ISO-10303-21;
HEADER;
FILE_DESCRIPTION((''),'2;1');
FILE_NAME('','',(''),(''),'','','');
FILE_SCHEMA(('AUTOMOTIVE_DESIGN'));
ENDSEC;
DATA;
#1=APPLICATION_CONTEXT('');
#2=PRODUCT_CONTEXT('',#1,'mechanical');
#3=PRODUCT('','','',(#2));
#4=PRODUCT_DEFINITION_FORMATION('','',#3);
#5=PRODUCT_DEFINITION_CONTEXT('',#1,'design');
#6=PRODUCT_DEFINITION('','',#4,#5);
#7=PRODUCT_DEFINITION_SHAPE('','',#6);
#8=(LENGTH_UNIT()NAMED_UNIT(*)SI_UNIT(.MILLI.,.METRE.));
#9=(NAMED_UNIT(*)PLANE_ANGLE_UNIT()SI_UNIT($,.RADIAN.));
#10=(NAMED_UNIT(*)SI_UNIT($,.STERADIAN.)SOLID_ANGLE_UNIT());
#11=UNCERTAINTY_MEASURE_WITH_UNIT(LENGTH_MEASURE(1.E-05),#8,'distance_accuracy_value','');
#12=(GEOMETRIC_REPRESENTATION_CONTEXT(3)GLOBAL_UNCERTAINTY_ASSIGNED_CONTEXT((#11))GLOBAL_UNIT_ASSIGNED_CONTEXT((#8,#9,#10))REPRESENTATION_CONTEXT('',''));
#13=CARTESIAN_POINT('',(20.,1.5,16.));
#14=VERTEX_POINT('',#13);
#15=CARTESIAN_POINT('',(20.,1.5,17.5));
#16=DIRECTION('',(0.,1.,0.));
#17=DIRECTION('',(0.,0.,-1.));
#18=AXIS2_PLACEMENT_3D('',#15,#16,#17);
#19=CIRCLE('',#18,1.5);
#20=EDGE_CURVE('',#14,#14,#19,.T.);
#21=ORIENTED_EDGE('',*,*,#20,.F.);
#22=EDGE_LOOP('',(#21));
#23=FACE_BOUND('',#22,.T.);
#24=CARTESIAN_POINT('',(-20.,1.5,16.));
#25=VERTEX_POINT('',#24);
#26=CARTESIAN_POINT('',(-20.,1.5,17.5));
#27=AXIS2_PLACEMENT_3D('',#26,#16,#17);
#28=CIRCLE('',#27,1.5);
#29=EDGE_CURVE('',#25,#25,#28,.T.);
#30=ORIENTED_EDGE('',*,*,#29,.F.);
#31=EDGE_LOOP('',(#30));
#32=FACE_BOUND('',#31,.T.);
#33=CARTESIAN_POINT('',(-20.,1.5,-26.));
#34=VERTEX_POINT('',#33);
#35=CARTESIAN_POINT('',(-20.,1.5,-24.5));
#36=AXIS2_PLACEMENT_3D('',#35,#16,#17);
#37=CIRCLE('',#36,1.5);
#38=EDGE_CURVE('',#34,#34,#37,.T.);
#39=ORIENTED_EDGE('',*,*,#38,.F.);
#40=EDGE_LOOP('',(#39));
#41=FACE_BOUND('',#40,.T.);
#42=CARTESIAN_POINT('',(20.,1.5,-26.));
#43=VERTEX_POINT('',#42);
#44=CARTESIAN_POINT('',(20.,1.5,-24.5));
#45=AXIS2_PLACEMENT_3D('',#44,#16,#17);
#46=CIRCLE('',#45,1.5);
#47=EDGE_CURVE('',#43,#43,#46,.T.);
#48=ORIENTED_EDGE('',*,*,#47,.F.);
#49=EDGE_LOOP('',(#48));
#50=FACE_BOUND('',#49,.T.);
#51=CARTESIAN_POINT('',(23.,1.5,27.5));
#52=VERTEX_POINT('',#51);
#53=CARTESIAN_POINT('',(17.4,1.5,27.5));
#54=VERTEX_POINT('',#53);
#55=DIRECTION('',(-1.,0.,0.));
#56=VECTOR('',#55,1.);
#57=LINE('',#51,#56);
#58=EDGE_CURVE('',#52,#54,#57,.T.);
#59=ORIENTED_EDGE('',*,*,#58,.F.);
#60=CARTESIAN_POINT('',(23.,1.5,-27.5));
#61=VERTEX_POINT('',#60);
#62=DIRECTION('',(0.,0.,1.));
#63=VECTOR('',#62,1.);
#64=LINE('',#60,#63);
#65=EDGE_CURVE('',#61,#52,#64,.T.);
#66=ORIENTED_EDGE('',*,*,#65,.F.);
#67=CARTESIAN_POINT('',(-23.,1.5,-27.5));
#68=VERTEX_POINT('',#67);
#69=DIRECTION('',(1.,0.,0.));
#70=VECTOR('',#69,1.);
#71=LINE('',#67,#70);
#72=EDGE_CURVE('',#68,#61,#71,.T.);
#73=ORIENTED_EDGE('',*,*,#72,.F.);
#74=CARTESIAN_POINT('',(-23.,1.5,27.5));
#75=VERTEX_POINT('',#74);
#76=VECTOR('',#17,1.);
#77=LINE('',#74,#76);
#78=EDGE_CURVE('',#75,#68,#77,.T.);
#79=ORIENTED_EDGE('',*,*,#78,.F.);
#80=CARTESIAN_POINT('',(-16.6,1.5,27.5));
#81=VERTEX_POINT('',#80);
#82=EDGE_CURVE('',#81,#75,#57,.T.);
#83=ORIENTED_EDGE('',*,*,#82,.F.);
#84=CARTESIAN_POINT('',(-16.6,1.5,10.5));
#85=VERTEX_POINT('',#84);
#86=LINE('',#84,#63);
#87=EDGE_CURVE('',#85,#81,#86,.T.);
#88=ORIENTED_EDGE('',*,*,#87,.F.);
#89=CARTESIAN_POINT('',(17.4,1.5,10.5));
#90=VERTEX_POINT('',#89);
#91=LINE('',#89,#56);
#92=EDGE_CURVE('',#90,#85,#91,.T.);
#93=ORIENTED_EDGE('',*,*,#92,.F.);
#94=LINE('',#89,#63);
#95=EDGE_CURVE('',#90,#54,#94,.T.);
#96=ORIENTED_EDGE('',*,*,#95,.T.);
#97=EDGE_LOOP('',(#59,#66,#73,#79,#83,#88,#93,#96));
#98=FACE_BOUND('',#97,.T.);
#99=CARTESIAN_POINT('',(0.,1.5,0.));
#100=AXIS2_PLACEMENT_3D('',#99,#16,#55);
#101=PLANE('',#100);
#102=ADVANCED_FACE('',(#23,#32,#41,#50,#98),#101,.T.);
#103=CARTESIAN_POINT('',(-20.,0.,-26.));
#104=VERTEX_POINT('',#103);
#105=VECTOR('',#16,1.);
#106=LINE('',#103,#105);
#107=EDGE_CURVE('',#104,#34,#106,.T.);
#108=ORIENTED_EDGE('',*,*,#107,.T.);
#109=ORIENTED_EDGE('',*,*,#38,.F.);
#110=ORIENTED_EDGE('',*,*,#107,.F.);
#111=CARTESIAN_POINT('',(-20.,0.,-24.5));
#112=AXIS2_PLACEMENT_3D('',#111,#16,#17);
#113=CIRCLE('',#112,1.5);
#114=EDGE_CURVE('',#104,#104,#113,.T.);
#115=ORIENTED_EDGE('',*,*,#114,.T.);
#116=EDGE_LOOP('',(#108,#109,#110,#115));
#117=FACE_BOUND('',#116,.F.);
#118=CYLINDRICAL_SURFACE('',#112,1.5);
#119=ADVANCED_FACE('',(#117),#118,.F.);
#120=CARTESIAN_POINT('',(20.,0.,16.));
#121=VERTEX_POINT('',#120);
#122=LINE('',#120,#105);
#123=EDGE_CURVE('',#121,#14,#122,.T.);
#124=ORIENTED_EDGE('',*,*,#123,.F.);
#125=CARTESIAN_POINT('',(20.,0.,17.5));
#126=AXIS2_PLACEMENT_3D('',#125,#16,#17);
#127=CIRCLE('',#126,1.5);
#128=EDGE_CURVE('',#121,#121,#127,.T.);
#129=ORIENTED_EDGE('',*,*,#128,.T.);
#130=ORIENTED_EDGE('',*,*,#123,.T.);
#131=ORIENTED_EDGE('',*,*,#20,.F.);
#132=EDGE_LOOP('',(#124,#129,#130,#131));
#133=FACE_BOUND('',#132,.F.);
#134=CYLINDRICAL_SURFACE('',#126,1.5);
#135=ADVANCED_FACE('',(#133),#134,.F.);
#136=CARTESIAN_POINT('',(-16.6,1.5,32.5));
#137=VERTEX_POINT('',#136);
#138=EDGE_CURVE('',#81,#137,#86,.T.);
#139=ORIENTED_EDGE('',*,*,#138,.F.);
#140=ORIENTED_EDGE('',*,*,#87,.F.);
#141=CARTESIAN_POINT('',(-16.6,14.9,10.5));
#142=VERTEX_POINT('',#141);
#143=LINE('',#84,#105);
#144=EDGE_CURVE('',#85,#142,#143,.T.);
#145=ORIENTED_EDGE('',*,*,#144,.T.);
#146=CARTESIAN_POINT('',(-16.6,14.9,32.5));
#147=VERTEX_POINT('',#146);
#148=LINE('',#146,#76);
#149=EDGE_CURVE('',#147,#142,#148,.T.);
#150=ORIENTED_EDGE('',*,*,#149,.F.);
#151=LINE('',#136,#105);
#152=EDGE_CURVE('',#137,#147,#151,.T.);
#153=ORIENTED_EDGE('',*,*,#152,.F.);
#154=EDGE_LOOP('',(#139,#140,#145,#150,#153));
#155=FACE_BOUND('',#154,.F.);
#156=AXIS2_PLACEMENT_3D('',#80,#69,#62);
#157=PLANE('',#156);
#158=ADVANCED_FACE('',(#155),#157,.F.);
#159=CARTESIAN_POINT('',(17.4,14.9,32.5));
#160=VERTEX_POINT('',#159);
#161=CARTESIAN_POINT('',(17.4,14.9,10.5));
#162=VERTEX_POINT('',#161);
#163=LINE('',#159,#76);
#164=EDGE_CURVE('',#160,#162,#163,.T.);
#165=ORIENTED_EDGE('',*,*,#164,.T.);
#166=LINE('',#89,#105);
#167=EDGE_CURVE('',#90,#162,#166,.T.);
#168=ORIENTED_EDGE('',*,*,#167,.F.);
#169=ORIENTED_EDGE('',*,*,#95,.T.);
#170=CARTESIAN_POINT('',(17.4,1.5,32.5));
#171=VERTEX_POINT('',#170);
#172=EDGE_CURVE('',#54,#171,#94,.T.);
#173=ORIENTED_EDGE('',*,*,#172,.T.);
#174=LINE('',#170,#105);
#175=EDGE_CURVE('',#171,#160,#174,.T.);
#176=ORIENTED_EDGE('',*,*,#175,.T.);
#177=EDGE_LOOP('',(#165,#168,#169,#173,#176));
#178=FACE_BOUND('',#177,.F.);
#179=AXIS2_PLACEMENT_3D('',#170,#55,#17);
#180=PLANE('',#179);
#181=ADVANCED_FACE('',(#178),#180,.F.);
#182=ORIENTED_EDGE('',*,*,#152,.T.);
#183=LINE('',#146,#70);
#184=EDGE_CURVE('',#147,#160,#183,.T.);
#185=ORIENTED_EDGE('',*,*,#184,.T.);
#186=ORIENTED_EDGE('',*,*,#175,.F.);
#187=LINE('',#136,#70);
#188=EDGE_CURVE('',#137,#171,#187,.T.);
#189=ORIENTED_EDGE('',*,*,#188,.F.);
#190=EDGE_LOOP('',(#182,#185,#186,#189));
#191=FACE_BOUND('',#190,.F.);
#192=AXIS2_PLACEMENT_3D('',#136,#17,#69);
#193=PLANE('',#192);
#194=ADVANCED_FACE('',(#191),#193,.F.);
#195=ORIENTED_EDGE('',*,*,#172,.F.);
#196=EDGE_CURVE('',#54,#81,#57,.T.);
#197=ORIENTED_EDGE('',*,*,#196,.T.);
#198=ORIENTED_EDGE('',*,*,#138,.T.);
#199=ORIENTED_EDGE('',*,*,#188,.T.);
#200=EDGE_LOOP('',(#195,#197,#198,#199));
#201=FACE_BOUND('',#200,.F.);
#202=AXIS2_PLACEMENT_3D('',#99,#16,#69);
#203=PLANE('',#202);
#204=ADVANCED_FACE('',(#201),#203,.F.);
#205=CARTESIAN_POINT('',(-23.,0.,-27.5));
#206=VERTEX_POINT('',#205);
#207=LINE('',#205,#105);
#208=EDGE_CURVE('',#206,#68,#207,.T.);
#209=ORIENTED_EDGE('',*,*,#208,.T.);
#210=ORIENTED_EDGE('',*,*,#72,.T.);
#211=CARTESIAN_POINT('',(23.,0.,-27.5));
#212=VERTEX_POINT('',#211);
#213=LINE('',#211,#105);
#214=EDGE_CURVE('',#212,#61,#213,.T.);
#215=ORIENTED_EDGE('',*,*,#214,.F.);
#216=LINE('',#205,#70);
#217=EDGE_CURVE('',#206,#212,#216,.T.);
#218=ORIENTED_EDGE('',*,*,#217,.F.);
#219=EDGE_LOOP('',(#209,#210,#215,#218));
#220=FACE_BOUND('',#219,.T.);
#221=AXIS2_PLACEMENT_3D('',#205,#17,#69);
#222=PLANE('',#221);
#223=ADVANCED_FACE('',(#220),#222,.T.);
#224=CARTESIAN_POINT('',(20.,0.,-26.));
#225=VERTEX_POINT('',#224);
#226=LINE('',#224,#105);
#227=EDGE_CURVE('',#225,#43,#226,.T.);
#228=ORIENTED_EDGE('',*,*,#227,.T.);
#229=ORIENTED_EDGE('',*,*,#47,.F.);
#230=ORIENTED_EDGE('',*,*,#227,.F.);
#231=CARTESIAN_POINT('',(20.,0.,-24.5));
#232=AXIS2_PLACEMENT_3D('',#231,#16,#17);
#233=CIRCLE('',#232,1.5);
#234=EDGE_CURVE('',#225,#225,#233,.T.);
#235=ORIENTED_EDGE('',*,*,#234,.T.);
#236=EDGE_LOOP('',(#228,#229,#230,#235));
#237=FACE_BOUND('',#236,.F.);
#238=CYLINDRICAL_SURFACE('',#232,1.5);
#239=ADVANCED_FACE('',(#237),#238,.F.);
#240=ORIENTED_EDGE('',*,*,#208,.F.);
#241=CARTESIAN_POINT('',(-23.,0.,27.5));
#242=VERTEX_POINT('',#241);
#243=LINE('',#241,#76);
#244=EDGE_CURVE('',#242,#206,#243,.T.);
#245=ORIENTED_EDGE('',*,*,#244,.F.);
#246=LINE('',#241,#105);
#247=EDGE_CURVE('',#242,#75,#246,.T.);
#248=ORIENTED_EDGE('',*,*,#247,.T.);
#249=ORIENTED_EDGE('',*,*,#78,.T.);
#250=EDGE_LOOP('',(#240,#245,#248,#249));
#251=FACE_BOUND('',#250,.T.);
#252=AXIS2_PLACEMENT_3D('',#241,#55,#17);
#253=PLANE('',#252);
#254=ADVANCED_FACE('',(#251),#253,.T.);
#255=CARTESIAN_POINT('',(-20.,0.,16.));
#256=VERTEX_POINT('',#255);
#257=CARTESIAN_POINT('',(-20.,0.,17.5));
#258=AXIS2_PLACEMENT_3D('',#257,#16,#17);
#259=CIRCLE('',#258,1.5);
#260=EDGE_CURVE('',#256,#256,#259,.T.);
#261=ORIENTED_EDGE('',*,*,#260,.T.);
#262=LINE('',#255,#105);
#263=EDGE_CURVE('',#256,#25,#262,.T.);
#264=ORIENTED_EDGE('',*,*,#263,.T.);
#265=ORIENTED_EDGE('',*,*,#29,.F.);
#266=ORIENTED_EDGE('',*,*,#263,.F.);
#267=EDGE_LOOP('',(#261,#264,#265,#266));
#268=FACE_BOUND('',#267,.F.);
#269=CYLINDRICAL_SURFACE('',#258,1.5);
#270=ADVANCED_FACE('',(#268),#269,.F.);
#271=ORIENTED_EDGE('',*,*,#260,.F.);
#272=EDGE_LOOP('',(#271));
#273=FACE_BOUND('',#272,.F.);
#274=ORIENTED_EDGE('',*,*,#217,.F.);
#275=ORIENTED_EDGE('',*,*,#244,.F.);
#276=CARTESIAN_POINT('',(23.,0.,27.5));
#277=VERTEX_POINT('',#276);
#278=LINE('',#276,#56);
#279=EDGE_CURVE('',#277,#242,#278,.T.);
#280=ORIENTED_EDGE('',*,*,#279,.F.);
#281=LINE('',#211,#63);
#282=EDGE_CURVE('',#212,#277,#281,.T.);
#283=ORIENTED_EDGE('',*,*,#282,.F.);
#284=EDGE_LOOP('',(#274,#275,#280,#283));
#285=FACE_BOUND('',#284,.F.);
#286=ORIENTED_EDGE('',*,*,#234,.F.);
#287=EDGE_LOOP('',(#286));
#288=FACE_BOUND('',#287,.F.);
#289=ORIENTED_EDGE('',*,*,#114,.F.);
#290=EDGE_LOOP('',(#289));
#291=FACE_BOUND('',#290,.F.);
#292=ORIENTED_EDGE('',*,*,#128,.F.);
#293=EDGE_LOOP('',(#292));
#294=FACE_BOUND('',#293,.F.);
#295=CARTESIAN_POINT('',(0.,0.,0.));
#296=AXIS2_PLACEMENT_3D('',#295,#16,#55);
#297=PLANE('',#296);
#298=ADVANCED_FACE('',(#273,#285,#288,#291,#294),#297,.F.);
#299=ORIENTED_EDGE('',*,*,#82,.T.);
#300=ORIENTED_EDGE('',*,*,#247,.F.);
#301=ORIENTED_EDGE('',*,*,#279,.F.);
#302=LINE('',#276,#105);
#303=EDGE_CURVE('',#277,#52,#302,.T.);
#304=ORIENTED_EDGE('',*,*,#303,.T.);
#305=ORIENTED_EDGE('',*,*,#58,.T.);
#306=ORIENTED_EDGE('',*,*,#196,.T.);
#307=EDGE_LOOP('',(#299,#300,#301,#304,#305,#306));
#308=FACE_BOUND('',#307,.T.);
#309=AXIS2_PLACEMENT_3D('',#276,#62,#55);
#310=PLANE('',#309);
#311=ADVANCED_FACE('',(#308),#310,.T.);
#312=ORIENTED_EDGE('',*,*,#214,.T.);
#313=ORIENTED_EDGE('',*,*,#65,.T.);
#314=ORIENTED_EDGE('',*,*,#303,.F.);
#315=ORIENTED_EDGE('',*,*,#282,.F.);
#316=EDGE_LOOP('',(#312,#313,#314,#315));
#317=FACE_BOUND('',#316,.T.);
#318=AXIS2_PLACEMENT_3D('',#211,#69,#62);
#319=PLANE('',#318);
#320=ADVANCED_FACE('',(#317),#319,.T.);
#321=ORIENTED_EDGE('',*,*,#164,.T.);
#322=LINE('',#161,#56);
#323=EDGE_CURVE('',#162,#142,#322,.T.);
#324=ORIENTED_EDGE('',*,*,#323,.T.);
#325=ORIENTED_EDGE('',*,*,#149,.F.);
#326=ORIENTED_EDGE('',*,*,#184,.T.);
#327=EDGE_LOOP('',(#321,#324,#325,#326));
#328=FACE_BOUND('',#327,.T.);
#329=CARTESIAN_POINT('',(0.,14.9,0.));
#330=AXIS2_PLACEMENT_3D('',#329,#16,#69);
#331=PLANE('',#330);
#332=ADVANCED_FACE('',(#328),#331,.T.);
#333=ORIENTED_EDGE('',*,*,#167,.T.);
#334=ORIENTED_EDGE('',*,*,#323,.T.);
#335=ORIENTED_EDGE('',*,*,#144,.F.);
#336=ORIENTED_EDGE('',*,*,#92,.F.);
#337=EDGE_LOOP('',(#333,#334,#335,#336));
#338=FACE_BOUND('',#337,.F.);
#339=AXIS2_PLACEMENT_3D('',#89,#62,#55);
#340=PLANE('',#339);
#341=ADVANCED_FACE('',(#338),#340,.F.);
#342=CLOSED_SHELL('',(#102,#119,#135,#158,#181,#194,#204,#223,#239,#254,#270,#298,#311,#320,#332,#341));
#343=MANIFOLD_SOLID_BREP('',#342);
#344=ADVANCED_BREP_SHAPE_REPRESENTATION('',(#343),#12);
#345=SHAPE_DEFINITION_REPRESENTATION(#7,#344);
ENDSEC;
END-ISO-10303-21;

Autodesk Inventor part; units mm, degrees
ref_plane "YZ Plane" through (0, 0, 0) normal (1, 0, 0) x (0, 1, 0)
ref_plane "XZ Plane" through (0, 0, 0) normal (0, 1, 0) x (-1, 0, 0)
ref_plane "XY Plane" through (0, 0, 0) normal (0, 0, 1) x (1, 0, 0)
sketch "Sketch1" plane through (0, 0, 0) normal (0, 1, 0) x (-1, 0, 0)
  line L0 (-23, 27.5) -> (23, 27.5)
  line L1 (23, 27.5) -> (23, -27.5)
  line L2 (23, -27.5) -> (-23, -27.5)
  line L3 (-23, -27.5) -> (-23, 27.5)
  line L4 (-23, 27.5) -> (23, -27.5) construction
  line L5 (23, 27.5) -> (-23, -27.5) construction
  point P0 (0, 0)
  dimension "d0" = 46
  dimension "d1" = 55
extrude "Extrusion1" add sketch "Sketch1" along normal blind 1.5
sketch "Sketch2" plane through (0, 1.5, 0) normal (0, 1, 0) x (1, 0, 0)
  line L0 (-16.6, -32.5) -> (17.4, -32.5)
  line L1 (17.4, -32.5) -> (17.4, -10.5)
  line L2 (17.4, -10.5) -> (-16.6, -10.5)
  line L3 (-16.6, -10.5) -> (-16.6, -32.5)
  line L4 (-16.6, -32.5) -> (17.4, -10.5) construction
  line L5 (17.4, -32.5) -> (-16.6, -10.5) construction
  line L6 (-23, -27.5) -> (23, -27.5) projected
  line L7 (-23, 27.5) -> (-23, -27.5) projected
  point P0 (0, 0)
  point P1 (0.4, -21.5)
  dimension "d4" = 34
  dimension "d5" = 22
  dimension "d6" = 5
  dimension "d7" = 6.4
extrude "Extrusion2" add sketch "Sketch2" along normal blind 13.4
sketch "Sketch3" plane through (0, 0, 0) normal (0, -1, 0) x (1, 0, 0)
  line L0 (20, 17.5) -> (-20, 17.5) construction
  line L1 (-20, 17.5) -> (-20, -24.5) construction
  line L2 (-20, -24.5) -> (20, -24.5) construction
  line L3 (20, -24.5) -> (20, 17.5) construction
  line L4 (23, -27.5) -> (23, 27.5) construction
  line L5 (-23, 27.5) -> (-23, -27.5) projected
  line L6 (-23, -27.5) -> (23, -27.5) projected
  point P0 (0, 0)
  dimension "d10" = 42
  dimension "d11" = 40
  dimension "d12" = 3
  dimension "d13" = 3
  dimension "d14" = 3
hole "Hole1" at (20, 0, 17.5) at (-20, 0, 17.5) at (-20, 0, -24.5) at (20, 0, -24.5) direction (0, 1, 0) diameter 3 end through all
equation "\"d13\" = d12"
equation "\"d14\" = d12"
properties part number "board"
